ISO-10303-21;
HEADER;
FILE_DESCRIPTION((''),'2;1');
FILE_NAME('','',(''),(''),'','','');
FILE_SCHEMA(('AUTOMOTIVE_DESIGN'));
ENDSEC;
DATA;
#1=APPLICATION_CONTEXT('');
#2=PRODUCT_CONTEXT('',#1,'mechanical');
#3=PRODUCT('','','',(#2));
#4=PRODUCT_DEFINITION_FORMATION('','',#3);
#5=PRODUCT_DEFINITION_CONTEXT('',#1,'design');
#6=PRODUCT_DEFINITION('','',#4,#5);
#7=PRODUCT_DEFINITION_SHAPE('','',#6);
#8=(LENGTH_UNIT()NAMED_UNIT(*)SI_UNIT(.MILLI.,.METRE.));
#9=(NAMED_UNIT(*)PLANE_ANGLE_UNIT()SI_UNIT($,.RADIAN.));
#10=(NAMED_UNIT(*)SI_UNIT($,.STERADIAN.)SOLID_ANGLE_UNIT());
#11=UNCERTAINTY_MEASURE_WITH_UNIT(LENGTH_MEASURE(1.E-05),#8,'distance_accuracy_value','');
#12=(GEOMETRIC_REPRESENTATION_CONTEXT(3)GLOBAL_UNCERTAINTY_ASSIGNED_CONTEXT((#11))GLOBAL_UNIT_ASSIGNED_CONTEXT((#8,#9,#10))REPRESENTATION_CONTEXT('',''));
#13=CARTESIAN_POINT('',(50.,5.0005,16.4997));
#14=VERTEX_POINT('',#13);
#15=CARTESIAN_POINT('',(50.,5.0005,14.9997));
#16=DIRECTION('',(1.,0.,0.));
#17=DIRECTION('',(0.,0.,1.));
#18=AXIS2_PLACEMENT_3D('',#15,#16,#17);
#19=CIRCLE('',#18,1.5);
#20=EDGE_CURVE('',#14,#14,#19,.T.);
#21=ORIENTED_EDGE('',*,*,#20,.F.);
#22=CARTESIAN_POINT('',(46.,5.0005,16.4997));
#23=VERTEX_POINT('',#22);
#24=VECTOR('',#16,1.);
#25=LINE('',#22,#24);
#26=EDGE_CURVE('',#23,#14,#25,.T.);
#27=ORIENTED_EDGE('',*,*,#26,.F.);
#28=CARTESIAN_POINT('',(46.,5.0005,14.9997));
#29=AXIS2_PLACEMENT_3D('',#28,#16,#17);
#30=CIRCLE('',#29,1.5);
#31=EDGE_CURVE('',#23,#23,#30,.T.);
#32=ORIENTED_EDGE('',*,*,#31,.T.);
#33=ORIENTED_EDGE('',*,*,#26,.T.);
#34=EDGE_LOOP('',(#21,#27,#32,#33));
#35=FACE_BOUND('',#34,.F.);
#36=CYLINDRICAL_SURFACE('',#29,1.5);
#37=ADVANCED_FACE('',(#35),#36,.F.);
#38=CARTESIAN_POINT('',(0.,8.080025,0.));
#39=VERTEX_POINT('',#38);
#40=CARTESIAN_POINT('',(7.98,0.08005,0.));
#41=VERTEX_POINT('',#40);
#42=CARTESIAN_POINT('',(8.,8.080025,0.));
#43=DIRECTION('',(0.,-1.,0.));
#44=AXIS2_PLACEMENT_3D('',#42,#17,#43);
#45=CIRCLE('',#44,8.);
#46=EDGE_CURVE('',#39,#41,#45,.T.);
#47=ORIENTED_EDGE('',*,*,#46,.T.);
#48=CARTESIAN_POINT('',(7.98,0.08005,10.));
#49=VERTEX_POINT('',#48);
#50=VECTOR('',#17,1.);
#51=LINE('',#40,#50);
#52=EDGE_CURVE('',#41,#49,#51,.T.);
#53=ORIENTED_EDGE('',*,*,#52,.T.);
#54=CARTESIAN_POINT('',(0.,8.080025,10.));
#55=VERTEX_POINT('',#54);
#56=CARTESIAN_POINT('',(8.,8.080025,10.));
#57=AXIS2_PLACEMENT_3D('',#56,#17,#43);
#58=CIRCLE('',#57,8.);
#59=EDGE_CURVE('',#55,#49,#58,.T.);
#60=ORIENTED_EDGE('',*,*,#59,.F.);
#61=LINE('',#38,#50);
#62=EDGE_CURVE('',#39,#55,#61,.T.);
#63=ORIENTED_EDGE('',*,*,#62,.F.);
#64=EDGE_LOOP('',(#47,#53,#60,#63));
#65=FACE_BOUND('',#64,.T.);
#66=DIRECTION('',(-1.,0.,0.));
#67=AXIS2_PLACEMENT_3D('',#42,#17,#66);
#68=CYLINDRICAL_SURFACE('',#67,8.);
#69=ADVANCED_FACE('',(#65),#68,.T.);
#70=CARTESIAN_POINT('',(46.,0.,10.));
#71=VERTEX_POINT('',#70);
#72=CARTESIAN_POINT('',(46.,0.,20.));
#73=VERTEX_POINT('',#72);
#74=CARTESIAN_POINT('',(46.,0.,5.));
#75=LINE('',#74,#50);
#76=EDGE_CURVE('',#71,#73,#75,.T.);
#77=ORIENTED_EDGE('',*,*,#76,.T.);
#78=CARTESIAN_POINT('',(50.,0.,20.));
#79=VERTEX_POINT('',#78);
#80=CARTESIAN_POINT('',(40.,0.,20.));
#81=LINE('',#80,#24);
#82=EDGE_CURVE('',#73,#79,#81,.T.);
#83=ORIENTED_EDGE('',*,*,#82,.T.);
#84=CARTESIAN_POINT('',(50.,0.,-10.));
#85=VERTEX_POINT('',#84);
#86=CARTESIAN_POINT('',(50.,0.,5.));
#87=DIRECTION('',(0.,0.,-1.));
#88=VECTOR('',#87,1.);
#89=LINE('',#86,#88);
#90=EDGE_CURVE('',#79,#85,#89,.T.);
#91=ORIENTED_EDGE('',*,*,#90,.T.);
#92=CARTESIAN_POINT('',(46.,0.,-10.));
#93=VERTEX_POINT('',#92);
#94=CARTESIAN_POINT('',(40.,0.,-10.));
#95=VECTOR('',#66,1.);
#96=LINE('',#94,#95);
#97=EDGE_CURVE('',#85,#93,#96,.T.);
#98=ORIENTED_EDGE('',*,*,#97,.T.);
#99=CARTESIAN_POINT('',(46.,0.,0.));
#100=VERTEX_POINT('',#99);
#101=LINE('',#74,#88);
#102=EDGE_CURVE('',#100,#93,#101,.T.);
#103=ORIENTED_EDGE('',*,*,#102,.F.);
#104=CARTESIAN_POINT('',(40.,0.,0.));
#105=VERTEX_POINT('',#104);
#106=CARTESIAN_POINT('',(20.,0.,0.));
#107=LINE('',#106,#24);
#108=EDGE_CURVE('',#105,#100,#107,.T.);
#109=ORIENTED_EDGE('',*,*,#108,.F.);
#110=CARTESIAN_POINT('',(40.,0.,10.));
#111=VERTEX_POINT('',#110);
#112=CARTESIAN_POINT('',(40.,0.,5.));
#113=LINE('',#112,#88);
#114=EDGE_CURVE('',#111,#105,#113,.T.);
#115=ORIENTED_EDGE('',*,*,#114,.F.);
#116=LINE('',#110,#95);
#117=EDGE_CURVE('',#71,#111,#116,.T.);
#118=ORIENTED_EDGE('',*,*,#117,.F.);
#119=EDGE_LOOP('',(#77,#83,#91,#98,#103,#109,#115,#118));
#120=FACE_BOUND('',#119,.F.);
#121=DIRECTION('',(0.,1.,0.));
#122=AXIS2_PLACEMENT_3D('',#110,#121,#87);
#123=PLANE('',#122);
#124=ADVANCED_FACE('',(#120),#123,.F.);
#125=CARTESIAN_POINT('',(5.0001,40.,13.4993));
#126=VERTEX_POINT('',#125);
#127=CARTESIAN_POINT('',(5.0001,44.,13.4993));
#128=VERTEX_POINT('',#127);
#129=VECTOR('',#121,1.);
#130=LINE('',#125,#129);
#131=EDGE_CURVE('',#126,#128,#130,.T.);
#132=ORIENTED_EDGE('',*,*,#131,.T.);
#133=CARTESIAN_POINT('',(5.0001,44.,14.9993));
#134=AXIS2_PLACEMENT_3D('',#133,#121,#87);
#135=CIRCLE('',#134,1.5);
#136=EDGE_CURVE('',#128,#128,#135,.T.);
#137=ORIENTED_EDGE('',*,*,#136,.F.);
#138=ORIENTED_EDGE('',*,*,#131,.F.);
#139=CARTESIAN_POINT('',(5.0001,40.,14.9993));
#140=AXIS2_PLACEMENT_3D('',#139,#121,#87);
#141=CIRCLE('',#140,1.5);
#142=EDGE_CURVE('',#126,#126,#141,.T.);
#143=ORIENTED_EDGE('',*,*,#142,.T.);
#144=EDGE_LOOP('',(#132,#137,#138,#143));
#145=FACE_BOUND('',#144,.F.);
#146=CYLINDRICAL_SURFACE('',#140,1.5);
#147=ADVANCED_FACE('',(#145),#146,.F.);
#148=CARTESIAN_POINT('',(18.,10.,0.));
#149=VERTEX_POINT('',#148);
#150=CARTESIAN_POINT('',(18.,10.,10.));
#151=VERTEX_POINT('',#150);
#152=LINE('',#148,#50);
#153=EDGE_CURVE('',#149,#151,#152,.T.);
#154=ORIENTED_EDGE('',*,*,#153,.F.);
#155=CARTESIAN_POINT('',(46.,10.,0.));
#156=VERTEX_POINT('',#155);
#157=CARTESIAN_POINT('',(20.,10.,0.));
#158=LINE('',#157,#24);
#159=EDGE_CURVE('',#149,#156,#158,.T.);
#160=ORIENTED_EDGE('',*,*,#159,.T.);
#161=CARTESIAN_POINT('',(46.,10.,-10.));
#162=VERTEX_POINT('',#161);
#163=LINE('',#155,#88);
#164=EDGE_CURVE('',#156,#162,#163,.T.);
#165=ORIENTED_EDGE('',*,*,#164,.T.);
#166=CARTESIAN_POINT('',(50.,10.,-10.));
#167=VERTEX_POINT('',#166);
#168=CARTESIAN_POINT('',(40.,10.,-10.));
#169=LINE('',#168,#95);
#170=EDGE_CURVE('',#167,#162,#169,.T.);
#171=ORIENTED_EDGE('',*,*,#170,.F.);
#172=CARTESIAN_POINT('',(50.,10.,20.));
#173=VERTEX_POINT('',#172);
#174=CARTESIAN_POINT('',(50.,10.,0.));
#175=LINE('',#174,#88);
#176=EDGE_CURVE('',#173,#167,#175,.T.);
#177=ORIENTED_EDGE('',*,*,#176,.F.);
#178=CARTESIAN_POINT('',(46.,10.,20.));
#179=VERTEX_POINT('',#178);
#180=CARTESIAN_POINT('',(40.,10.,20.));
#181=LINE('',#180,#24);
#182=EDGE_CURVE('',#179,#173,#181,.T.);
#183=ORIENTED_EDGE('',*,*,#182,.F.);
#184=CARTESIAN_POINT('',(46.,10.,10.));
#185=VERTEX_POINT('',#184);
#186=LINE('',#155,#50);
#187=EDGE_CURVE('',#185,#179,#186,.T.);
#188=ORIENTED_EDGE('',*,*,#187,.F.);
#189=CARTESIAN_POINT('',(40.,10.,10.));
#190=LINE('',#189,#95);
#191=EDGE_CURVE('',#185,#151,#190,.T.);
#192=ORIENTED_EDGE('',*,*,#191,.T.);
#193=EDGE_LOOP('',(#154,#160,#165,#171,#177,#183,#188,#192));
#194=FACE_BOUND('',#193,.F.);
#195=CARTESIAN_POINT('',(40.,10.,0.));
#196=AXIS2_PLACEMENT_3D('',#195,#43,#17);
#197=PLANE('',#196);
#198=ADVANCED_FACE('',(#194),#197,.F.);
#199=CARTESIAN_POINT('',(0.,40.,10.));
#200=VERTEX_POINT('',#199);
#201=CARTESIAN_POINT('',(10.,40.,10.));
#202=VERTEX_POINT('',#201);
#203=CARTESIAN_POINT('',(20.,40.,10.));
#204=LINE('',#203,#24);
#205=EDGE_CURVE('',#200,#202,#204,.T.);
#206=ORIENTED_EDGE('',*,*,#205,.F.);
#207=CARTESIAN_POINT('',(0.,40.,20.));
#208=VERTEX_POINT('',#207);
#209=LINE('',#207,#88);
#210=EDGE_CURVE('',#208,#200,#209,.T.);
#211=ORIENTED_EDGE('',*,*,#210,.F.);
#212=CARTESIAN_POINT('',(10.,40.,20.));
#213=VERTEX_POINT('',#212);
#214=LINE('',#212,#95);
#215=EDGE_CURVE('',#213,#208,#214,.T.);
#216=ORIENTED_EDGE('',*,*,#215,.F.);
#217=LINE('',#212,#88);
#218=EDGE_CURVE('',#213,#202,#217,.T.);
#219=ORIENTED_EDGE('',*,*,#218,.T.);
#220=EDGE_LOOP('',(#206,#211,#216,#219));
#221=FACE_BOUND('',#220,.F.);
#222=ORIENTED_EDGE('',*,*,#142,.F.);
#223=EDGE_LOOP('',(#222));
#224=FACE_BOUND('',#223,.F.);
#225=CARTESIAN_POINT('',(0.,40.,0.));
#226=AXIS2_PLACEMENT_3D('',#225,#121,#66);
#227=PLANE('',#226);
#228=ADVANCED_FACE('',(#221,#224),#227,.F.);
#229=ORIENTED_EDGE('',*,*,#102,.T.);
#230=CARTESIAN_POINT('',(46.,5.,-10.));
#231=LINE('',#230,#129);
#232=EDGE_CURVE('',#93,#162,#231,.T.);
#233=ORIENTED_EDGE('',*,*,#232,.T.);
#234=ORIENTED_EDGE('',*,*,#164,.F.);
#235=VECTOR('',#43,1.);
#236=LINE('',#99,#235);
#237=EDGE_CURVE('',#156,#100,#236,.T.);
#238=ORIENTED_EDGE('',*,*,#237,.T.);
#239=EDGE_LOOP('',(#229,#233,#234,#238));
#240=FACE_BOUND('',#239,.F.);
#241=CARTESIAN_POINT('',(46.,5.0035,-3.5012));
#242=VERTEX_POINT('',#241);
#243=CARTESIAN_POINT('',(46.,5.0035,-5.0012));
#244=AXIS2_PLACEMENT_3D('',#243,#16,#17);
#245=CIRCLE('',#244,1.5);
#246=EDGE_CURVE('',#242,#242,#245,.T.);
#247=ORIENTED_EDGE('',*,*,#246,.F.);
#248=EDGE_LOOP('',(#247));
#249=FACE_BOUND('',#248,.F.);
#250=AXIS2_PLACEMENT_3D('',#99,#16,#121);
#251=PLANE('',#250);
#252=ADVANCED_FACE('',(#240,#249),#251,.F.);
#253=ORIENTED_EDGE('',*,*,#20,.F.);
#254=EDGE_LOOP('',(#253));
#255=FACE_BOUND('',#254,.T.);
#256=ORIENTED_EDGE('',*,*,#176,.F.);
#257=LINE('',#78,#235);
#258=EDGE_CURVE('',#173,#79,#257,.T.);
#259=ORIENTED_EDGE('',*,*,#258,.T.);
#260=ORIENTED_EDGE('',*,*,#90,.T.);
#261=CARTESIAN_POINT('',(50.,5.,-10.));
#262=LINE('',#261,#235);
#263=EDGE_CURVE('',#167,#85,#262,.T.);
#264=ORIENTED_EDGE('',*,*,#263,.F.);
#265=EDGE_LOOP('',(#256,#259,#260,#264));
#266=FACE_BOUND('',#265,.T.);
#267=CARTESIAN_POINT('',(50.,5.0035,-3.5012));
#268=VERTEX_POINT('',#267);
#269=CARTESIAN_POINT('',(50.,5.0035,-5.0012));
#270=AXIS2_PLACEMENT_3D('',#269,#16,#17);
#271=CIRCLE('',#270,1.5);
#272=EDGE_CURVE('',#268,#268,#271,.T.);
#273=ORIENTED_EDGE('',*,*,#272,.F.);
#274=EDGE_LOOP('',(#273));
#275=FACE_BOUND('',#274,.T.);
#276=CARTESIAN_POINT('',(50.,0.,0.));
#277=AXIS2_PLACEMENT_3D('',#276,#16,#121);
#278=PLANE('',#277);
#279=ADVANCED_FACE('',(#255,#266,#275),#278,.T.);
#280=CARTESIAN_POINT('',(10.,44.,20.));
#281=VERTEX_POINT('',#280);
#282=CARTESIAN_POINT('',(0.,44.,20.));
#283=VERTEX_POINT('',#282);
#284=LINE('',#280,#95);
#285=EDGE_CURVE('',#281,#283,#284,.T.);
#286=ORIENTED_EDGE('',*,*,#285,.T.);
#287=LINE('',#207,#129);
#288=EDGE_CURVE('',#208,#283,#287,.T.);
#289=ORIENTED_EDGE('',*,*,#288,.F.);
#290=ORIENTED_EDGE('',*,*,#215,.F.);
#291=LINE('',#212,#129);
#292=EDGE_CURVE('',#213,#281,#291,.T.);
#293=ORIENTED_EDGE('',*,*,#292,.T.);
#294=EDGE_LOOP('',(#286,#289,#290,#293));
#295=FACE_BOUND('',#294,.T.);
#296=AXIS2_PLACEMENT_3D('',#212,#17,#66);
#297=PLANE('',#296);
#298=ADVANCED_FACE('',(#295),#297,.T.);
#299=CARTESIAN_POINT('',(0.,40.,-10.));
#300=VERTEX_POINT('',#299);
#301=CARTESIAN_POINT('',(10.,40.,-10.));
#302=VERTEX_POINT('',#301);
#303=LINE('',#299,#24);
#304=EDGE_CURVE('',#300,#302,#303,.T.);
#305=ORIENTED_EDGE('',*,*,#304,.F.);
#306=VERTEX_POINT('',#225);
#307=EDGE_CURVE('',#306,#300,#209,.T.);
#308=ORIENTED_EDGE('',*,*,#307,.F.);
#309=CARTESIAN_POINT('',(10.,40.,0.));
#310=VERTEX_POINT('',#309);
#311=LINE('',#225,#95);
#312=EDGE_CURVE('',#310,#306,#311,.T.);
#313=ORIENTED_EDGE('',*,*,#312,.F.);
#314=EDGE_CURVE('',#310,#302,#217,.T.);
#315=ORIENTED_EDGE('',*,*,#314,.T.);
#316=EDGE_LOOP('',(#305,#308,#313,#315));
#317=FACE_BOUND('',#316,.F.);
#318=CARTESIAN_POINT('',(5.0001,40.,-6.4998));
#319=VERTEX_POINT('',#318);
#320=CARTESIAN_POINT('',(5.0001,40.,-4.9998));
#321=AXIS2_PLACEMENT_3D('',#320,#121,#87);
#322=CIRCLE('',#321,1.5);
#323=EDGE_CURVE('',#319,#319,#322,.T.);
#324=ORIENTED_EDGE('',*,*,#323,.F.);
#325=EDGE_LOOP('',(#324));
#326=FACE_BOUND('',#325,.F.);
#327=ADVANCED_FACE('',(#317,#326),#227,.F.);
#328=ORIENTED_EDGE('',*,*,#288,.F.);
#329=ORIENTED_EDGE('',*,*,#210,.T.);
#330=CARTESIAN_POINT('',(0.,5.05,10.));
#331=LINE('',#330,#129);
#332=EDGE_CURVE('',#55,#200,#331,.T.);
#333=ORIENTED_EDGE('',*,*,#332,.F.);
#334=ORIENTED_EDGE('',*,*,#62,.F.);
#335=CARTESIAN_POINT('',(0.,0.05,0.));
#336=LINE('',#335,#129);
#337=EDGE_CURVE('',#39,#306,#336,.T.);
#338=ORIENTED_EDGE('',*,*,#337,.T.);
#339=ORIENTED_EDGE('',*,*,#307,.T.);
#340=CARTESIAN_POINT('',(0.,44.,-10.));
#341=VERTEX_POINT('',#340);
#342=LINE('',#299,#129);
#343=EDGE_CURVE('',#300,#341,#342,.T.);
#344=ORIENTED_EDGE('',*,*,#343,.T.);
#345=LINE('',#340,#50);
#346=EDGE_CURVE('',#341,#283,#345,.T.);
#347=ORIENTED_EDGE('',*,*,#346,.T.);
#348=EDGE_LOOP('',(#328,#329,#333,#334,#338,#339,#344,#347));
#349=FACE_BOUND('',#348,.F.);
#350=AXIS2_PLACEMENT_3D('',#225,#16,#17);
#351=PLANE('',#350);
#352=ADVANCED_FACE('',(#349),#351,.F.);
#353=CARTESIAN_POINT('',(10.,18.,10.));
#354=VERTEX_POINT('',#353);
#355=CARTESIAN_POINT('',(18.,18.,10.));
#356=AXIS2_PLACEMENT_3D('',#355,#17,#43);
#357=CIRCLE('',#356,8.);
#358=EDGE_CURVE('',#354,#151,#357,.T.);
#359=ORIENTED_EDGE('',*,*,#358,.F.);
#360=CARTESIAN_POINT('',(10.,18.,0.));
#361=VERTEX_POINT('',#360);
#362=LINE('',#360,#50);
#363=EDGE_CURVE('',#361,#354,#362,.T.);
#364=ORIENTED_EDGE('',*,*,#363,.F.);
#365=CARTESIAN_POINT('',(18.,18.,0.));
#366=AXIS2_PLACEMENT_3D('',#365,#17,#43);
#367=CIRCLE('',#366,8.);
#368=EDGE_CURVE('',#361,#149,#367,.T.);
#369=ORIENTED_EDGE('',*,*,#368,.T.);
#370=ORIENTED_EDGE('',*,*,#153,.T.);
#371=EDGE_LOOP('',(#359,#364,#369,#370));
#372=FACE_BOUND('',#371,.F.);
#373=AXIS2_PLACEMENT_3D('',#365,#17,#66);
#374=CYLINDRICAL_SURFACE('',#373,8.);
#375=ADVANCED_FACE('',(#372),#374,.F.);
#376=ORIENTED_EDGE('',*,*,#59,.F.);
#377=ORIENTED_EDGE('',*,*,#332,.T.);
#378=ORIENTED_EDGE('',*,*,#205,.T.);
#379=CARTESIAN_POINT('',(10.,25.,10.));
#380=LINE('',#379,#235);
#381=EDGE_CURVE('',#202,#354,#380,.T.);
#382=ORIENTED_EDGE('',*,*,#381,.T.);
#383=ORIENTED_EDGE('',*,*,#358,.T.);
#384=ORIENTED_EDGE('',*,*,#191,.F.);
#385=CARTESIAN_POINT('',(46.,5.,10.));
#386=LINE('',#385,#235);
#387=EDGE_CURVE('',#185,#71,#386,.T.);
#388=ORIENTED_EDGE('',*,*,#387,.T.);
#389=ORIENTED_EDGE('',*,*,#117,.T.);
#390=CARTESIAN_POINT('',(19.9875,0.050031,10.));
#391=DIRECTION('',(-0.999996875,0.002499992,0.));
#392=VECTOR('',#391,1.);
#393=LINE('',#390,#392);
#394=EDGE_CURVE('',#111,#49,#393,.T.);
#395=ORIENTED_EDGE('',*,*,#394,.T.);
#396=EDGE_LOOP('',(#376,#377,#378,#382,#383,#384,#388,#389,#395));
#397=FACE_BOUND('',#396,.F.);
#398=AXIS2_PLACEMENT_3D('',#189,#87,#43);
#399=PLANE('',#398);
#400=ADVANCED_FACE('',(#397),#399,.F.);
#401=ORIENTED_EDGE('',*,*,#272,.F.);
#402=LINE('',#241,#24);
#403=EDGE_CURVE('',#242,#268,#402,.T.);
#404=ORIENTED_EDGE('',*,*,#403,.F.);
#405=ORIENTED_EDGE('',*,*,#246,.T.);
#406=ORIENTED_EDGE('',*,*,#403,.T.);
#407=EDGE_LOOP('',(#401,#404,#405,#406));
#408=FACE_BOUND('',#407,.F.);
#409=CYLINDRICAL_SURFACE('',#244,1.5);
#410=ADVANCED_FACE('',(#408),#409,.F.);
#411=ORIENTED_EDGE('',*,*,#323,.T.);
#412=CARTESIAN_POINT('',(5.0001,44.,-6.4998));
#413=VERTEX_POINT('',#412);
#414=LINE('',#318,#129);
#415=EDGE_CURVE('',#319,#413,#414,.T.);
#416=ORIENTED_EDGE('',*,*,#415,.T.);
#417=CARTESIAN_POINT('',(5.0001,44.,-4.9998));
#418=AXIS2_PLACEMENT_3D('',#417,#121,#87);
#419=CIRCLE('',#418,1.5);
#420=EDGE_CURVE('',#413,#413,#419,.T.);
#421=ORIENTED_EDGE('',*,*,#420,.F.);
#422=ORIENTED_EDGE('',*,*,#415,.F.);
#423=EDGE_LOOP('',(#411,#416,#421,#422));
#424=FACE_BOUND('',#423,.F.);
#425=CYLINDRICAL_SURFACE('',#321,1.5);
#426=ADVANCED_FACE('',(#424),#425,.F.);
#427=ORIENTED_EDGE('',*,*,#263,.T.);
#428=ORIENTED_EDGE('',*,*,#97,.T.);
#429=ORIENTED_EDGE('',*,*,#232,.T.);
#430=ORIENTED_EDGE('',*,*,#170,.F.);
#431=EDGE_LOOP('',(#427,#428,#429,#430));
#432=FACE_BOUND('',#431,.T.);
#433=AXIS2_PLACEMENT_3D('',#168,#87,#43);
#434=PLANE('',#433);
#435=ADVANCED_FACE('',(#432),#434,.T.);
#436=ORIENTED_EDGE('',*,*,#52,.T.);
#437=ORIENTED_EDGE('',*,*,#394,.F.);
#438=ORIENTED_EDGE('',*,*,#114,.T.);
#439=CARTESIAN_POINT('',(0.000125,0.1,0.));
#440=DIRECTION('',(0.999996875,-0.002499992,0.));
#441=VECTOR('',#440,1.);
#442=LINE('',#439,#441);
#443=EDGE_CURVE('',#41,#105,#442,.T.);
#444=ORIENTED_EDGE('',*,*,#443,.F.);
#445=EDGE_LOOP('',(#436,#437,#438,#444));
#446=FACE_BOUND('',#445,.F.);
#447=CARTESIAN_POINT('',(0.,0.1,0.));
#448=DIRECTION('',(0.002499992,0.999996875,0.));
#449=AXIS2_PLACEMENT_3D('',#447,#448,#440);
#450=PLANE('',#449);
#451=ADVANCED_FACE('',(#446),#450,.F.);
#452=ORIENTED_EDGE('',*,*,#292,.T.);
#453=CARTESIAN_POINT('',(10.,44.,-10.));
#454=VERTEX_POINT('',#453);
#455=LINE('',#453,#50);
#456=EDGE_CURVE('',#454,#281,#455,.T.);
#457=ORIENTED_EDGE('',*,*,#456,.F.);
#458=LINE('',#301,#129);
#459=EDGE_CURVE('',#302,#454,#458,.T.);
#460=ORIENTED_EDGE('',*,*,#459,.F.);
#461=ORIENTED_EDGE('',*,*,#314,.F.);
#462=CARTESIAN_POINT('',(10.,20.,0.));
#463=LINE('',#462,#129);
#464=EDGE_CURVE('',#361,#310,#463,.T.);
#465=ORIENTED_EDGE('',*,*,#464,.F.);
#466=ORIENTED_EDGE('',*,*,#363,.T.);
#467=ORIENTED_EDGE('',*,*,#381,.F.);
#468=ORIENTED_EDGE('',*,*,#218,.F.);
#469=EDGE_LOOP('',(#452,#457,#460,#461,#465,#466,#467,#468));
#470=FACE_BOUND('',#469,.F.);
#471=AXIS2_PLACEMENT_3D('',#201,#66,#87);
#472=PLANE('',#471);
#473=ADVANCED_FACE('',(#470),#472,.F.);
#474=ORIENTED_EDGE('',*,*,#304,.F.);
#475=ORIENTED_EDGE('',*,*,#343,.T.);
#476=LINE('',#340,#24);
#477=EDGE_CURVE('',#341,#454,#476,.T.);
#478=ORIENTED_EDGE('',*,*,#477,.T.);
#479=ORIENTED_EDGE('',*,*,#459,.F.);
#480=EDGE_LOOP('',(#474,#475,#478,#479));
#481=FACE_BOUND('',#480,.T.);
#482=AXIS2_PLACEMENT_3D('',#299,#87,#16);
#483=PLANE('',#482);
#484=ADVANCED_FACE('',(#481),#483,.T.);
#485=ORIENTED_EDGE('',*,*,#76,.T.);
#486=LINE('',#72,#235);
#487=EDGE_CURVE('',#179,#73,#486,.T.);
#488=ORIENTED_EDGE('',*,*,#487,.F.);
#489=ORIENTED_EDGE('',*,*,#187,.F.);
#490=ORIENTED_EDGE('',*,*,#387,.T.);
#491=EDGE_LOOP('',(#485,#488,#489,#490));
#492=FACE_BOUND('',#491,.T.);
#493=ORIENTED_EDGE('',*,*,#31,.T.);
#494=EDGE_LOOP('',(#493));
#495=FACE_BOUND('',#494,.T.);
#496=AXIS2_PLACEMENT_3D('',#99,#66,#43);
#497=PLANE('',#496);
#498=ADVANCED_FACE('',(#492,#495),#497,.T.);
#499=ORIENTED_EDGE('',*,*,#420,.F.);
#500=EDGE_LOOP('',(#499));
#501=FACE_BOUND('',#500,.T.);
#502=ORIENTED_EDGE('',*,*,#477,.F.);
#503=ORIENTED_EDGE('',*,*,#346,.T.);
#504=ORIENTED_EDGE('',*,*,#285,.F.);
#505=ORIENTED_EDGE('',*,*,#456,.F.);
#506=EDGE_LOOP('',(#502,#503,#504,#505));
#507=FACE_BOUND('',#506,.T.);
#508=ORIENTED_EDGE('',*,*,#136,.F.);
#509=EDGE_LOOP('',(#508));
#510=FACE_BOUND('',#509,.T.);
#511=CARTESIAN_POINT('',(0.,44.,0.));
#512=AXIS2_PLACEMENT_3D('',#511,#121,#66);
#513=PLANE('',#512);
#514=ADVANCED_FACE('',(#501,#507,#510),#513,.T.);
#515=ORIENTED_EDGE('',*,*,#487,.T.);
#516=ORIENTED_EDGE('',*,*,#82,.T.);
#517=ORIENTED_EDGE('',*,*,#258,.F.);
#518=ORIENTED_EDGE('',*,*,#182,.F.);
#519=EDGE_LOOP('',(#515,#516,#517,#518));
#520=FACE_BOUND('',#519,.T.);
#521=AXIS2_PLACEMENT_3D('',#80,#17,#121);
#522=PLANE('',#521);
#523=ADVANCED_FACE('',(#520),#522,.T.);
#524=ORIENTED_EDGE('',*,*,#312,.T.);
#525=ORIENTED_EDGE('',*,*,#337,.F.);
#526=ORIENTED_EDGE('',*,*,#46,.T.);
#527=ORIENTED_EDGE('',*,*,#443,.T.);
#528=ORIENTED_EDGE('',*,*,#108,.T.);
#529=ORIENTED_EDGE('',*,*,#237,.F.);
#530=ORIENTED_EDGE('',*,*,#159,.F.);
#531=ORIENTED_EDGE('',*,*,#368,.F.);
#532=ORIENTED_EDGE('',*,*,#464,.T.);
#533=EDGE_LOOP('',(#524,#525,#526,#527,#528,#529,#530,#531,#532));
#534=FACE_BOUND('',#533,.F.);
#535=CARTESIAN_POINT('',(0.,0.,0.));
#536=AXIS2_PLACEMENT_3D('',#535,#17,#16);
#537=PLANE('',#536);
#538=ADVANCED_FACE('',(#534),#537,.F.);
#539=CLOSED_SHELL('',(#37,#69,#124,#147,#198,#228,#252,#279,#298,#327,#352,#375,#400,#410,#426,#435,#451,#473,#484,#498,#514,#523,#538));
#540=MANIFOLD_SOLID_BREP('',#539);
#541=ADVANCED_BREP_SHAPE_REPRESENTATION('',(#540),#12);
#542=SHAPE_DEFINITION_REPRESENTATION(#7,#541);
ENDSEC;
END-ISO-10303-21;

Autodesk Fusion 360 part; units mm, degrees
sketch "Sketch1" plane through (0, 0, 0) normal (0, 0, 1) x (1, 0, 0)
  line L0 (0, 40) -> (10, 40)
  line L1 (10, 40) -> (10, 10)
  line L2 (0, 0) -> (0, 40)
  line L3 (40, 0) -> (40, 10)
  line L4 (40, 10) -> (10, 10)
  line L5 (0, 10) -> (0, 0)
  line L6 (0, 0.1) -> (40, 0)
  dimension "d1" = 10
  dimension "d2" = 40
  dimension "d3" = 40
  dimension "d4" = 10
extrude "Extrude1" add sketch "Sketch1" along normal blind 10
sketch "Sketch2" plane through (40, 0, 0) normal (1, 0, 0) x (0, 1, 0)
  line L0 (0, 0) -> (10, 0)
  line L1 (10, 0) -> (10, 10)
  line L2 (10, 10) -> (0, 10)
  line L3 (0, 10) -> (0, 0)
  line L4 (0, 20) -> (10, 20)
  line L5 (10, 20) -> (10, -10)
  line L6 (10, -10) -> (0, -10)
  line L7 (0, -10) -> (0, 20)
  dimension "d7" = 10
  dimension "d8" = 30
extrude "Extrude2" add sketch "Sketch2" along normal blind 10
sketch "Sketch3" plane through (40, 0, 0) normal (-1, 0, 0) x (0, -1, 0)
  line L0 (-10, 10) -> (0, 10)
  line L1 (0, 10) -> (0, 20)
  line L2 (0, 20) -> (-10, 20)
  line L3 (-10, 20) -> (-10, 10)
extrude "Extrude3" cut sketch "Sketch3" against normal blind 6
move_face "OffsetFaces1" offset -6 1 faces at (40, 3.3333, -6.6667)
sketch "Sketch4" plane through (0, 40, 0) normal (0, 1, 0) x (-1, 0, 0)
  line L0 (-10, 0) -> (0, 0)
  line L1 (0, 0) -> (0, 10)
  line L2 (0, 10) -> (-10, 10)
  line L3 (-10, 10) -> (-10, 0)
  line L4 (-10, 20) -> (0, 20)
  line L5 (0, 20) -> (0, -10)
  line L6 (0, -10) -> (-10, -10)
  line L7 (-10, -10) -> (-10, 20)
extrude "Extrude4" add sketch "Sketch4" along normal blind 4
fillet "Fillet1" radius 8 1 edges at (0, 0.1, 5)
fillet "Fillet2" radius 8 1 edges at (10, 10, 5)
hole "Hole1" at (5.0001, 40, 14.9993) direction (0, 1, 0) diameter 3 end through all
hole "Hole2" at (5.0001, 40, -4.9998) direction (0, 1, 0) diameter 3 end through all
hole "Hole3" at (46, 5.0035, -5.0012) direction (1, 0, 0) diameter 3 end through all
hole "Hole4" at (46, 5.0005, 14.9997) direction (1, 0, 0) diameter 3 end through all
